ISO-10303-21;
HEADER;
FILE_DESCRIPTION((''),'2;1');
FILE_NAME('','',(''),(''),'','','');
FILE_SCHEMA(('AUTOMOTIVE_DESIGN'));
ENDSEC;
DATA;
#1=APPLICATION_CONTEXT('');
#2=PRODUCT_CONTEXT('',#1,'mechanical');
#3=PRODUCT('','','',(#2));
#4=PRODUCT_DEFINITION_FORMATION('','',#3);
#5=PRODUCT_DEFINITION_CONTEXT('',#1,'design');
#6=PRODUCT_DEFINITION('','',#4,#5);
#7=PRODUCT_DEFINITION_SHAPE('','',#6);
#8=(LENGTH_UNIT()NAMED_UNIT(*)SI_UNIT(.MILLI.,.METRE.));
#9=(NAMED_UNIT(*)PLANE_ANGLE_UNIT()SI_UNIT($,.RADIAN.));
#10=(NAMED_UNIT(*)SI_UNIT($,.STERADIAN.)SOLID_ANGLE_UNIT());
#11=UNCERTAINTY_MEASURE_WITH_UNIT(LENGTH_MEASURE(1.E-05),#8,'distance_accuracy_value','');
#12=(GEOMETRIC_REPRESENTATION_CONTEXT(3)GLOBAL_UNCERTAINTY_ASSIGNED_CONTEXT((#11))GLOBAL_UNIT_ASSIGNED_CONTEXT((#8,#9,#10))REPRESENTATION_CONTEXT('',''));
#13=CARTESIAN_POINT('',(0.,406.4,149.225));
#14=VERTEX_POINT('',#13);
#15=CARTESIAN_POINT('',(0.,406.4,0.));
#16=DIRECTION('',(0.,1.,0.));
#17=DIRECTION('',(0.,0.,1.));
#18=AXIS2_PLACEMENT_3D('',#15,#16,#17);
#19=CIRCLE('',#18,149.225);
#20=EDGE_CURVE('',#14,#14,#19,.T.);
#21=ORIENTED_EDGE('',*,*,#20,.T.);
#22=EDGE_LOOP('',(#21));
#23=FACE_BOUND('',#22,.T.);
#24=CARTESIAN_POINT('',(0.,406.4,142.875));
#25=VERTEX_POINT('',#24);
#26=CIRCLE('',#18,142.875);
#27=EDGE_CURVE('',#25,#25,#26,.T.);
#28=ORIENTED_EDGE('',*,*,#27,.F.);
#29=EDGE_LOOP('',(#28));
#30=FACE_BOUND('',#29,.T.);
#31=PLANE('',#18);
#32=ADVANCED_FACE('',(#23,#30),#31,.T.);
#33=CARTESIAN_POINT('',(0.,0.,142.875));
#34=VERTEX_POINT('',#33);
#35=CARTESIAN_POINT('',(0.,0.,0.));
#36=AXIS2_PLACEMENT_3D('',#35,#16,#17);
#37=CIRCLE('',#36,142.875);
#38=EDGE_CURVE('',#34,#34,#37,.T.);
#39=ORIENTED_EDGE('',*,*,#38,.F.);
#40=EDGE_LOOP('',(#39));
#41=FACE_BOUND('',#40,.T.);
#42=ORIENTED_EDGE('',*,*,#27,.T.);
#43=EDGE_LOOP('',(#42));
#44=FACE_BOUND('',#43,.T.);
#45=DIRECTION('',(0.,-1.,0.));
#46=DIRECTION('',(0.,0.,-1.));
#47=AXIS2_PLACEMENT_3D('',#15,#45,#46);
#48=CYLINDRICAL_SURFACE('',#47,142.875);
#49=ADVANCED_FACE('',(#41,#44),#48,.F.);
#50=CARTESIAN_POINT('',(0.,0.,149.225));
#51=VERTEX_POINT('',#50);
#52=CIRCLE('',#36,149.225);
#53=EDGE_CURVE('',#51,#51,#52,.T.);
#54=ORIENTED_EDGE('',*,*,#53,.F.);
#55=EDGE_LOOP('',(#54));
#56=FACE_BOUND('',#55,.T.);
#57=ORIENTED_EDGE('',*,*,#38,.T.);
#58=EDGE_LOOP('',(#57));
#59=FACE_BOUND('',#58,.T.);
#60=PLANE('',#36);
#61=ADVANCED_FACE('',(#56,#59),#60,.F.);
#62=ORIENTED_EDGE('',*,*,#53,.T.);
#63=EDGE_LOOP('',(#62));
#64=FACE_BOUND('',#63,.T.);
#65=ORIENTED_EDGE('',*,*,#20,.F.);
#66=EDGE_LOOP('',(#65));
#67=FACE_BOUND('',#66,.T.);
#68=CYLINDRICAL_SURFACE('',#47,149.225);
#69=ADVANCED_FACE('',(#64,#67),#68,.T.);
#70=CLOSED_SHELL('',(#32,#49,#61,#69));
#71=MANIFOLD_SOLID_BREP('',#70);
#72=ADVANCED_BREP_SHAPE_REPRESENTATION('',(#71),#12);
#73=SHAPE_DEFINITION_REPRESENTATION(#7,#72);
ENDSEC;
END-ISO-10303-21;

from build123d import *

# Parameters (mm, degrees)
SKETCH1_R           = 149.225
SKETCH1_R_2         = 142.875
BOSS_EXTRUDE1_DEPTH = 406.4


with BuildPart() as part:
    # Sketch1 → Boss-Extrude1 (new body)
    with BuildSketch(Plane(origin=(0, 0, 0), x_dir=(1, 0, 0), z_dir=(0, 1, 0))):
        Circle(SKETCH1_R)
        Circle(SKETCH1_R_2, mode=Mode.SUBTRACT)
    extrude(amount=BOSS_EXTRUDE1_DEPTH)


solid = part.part
